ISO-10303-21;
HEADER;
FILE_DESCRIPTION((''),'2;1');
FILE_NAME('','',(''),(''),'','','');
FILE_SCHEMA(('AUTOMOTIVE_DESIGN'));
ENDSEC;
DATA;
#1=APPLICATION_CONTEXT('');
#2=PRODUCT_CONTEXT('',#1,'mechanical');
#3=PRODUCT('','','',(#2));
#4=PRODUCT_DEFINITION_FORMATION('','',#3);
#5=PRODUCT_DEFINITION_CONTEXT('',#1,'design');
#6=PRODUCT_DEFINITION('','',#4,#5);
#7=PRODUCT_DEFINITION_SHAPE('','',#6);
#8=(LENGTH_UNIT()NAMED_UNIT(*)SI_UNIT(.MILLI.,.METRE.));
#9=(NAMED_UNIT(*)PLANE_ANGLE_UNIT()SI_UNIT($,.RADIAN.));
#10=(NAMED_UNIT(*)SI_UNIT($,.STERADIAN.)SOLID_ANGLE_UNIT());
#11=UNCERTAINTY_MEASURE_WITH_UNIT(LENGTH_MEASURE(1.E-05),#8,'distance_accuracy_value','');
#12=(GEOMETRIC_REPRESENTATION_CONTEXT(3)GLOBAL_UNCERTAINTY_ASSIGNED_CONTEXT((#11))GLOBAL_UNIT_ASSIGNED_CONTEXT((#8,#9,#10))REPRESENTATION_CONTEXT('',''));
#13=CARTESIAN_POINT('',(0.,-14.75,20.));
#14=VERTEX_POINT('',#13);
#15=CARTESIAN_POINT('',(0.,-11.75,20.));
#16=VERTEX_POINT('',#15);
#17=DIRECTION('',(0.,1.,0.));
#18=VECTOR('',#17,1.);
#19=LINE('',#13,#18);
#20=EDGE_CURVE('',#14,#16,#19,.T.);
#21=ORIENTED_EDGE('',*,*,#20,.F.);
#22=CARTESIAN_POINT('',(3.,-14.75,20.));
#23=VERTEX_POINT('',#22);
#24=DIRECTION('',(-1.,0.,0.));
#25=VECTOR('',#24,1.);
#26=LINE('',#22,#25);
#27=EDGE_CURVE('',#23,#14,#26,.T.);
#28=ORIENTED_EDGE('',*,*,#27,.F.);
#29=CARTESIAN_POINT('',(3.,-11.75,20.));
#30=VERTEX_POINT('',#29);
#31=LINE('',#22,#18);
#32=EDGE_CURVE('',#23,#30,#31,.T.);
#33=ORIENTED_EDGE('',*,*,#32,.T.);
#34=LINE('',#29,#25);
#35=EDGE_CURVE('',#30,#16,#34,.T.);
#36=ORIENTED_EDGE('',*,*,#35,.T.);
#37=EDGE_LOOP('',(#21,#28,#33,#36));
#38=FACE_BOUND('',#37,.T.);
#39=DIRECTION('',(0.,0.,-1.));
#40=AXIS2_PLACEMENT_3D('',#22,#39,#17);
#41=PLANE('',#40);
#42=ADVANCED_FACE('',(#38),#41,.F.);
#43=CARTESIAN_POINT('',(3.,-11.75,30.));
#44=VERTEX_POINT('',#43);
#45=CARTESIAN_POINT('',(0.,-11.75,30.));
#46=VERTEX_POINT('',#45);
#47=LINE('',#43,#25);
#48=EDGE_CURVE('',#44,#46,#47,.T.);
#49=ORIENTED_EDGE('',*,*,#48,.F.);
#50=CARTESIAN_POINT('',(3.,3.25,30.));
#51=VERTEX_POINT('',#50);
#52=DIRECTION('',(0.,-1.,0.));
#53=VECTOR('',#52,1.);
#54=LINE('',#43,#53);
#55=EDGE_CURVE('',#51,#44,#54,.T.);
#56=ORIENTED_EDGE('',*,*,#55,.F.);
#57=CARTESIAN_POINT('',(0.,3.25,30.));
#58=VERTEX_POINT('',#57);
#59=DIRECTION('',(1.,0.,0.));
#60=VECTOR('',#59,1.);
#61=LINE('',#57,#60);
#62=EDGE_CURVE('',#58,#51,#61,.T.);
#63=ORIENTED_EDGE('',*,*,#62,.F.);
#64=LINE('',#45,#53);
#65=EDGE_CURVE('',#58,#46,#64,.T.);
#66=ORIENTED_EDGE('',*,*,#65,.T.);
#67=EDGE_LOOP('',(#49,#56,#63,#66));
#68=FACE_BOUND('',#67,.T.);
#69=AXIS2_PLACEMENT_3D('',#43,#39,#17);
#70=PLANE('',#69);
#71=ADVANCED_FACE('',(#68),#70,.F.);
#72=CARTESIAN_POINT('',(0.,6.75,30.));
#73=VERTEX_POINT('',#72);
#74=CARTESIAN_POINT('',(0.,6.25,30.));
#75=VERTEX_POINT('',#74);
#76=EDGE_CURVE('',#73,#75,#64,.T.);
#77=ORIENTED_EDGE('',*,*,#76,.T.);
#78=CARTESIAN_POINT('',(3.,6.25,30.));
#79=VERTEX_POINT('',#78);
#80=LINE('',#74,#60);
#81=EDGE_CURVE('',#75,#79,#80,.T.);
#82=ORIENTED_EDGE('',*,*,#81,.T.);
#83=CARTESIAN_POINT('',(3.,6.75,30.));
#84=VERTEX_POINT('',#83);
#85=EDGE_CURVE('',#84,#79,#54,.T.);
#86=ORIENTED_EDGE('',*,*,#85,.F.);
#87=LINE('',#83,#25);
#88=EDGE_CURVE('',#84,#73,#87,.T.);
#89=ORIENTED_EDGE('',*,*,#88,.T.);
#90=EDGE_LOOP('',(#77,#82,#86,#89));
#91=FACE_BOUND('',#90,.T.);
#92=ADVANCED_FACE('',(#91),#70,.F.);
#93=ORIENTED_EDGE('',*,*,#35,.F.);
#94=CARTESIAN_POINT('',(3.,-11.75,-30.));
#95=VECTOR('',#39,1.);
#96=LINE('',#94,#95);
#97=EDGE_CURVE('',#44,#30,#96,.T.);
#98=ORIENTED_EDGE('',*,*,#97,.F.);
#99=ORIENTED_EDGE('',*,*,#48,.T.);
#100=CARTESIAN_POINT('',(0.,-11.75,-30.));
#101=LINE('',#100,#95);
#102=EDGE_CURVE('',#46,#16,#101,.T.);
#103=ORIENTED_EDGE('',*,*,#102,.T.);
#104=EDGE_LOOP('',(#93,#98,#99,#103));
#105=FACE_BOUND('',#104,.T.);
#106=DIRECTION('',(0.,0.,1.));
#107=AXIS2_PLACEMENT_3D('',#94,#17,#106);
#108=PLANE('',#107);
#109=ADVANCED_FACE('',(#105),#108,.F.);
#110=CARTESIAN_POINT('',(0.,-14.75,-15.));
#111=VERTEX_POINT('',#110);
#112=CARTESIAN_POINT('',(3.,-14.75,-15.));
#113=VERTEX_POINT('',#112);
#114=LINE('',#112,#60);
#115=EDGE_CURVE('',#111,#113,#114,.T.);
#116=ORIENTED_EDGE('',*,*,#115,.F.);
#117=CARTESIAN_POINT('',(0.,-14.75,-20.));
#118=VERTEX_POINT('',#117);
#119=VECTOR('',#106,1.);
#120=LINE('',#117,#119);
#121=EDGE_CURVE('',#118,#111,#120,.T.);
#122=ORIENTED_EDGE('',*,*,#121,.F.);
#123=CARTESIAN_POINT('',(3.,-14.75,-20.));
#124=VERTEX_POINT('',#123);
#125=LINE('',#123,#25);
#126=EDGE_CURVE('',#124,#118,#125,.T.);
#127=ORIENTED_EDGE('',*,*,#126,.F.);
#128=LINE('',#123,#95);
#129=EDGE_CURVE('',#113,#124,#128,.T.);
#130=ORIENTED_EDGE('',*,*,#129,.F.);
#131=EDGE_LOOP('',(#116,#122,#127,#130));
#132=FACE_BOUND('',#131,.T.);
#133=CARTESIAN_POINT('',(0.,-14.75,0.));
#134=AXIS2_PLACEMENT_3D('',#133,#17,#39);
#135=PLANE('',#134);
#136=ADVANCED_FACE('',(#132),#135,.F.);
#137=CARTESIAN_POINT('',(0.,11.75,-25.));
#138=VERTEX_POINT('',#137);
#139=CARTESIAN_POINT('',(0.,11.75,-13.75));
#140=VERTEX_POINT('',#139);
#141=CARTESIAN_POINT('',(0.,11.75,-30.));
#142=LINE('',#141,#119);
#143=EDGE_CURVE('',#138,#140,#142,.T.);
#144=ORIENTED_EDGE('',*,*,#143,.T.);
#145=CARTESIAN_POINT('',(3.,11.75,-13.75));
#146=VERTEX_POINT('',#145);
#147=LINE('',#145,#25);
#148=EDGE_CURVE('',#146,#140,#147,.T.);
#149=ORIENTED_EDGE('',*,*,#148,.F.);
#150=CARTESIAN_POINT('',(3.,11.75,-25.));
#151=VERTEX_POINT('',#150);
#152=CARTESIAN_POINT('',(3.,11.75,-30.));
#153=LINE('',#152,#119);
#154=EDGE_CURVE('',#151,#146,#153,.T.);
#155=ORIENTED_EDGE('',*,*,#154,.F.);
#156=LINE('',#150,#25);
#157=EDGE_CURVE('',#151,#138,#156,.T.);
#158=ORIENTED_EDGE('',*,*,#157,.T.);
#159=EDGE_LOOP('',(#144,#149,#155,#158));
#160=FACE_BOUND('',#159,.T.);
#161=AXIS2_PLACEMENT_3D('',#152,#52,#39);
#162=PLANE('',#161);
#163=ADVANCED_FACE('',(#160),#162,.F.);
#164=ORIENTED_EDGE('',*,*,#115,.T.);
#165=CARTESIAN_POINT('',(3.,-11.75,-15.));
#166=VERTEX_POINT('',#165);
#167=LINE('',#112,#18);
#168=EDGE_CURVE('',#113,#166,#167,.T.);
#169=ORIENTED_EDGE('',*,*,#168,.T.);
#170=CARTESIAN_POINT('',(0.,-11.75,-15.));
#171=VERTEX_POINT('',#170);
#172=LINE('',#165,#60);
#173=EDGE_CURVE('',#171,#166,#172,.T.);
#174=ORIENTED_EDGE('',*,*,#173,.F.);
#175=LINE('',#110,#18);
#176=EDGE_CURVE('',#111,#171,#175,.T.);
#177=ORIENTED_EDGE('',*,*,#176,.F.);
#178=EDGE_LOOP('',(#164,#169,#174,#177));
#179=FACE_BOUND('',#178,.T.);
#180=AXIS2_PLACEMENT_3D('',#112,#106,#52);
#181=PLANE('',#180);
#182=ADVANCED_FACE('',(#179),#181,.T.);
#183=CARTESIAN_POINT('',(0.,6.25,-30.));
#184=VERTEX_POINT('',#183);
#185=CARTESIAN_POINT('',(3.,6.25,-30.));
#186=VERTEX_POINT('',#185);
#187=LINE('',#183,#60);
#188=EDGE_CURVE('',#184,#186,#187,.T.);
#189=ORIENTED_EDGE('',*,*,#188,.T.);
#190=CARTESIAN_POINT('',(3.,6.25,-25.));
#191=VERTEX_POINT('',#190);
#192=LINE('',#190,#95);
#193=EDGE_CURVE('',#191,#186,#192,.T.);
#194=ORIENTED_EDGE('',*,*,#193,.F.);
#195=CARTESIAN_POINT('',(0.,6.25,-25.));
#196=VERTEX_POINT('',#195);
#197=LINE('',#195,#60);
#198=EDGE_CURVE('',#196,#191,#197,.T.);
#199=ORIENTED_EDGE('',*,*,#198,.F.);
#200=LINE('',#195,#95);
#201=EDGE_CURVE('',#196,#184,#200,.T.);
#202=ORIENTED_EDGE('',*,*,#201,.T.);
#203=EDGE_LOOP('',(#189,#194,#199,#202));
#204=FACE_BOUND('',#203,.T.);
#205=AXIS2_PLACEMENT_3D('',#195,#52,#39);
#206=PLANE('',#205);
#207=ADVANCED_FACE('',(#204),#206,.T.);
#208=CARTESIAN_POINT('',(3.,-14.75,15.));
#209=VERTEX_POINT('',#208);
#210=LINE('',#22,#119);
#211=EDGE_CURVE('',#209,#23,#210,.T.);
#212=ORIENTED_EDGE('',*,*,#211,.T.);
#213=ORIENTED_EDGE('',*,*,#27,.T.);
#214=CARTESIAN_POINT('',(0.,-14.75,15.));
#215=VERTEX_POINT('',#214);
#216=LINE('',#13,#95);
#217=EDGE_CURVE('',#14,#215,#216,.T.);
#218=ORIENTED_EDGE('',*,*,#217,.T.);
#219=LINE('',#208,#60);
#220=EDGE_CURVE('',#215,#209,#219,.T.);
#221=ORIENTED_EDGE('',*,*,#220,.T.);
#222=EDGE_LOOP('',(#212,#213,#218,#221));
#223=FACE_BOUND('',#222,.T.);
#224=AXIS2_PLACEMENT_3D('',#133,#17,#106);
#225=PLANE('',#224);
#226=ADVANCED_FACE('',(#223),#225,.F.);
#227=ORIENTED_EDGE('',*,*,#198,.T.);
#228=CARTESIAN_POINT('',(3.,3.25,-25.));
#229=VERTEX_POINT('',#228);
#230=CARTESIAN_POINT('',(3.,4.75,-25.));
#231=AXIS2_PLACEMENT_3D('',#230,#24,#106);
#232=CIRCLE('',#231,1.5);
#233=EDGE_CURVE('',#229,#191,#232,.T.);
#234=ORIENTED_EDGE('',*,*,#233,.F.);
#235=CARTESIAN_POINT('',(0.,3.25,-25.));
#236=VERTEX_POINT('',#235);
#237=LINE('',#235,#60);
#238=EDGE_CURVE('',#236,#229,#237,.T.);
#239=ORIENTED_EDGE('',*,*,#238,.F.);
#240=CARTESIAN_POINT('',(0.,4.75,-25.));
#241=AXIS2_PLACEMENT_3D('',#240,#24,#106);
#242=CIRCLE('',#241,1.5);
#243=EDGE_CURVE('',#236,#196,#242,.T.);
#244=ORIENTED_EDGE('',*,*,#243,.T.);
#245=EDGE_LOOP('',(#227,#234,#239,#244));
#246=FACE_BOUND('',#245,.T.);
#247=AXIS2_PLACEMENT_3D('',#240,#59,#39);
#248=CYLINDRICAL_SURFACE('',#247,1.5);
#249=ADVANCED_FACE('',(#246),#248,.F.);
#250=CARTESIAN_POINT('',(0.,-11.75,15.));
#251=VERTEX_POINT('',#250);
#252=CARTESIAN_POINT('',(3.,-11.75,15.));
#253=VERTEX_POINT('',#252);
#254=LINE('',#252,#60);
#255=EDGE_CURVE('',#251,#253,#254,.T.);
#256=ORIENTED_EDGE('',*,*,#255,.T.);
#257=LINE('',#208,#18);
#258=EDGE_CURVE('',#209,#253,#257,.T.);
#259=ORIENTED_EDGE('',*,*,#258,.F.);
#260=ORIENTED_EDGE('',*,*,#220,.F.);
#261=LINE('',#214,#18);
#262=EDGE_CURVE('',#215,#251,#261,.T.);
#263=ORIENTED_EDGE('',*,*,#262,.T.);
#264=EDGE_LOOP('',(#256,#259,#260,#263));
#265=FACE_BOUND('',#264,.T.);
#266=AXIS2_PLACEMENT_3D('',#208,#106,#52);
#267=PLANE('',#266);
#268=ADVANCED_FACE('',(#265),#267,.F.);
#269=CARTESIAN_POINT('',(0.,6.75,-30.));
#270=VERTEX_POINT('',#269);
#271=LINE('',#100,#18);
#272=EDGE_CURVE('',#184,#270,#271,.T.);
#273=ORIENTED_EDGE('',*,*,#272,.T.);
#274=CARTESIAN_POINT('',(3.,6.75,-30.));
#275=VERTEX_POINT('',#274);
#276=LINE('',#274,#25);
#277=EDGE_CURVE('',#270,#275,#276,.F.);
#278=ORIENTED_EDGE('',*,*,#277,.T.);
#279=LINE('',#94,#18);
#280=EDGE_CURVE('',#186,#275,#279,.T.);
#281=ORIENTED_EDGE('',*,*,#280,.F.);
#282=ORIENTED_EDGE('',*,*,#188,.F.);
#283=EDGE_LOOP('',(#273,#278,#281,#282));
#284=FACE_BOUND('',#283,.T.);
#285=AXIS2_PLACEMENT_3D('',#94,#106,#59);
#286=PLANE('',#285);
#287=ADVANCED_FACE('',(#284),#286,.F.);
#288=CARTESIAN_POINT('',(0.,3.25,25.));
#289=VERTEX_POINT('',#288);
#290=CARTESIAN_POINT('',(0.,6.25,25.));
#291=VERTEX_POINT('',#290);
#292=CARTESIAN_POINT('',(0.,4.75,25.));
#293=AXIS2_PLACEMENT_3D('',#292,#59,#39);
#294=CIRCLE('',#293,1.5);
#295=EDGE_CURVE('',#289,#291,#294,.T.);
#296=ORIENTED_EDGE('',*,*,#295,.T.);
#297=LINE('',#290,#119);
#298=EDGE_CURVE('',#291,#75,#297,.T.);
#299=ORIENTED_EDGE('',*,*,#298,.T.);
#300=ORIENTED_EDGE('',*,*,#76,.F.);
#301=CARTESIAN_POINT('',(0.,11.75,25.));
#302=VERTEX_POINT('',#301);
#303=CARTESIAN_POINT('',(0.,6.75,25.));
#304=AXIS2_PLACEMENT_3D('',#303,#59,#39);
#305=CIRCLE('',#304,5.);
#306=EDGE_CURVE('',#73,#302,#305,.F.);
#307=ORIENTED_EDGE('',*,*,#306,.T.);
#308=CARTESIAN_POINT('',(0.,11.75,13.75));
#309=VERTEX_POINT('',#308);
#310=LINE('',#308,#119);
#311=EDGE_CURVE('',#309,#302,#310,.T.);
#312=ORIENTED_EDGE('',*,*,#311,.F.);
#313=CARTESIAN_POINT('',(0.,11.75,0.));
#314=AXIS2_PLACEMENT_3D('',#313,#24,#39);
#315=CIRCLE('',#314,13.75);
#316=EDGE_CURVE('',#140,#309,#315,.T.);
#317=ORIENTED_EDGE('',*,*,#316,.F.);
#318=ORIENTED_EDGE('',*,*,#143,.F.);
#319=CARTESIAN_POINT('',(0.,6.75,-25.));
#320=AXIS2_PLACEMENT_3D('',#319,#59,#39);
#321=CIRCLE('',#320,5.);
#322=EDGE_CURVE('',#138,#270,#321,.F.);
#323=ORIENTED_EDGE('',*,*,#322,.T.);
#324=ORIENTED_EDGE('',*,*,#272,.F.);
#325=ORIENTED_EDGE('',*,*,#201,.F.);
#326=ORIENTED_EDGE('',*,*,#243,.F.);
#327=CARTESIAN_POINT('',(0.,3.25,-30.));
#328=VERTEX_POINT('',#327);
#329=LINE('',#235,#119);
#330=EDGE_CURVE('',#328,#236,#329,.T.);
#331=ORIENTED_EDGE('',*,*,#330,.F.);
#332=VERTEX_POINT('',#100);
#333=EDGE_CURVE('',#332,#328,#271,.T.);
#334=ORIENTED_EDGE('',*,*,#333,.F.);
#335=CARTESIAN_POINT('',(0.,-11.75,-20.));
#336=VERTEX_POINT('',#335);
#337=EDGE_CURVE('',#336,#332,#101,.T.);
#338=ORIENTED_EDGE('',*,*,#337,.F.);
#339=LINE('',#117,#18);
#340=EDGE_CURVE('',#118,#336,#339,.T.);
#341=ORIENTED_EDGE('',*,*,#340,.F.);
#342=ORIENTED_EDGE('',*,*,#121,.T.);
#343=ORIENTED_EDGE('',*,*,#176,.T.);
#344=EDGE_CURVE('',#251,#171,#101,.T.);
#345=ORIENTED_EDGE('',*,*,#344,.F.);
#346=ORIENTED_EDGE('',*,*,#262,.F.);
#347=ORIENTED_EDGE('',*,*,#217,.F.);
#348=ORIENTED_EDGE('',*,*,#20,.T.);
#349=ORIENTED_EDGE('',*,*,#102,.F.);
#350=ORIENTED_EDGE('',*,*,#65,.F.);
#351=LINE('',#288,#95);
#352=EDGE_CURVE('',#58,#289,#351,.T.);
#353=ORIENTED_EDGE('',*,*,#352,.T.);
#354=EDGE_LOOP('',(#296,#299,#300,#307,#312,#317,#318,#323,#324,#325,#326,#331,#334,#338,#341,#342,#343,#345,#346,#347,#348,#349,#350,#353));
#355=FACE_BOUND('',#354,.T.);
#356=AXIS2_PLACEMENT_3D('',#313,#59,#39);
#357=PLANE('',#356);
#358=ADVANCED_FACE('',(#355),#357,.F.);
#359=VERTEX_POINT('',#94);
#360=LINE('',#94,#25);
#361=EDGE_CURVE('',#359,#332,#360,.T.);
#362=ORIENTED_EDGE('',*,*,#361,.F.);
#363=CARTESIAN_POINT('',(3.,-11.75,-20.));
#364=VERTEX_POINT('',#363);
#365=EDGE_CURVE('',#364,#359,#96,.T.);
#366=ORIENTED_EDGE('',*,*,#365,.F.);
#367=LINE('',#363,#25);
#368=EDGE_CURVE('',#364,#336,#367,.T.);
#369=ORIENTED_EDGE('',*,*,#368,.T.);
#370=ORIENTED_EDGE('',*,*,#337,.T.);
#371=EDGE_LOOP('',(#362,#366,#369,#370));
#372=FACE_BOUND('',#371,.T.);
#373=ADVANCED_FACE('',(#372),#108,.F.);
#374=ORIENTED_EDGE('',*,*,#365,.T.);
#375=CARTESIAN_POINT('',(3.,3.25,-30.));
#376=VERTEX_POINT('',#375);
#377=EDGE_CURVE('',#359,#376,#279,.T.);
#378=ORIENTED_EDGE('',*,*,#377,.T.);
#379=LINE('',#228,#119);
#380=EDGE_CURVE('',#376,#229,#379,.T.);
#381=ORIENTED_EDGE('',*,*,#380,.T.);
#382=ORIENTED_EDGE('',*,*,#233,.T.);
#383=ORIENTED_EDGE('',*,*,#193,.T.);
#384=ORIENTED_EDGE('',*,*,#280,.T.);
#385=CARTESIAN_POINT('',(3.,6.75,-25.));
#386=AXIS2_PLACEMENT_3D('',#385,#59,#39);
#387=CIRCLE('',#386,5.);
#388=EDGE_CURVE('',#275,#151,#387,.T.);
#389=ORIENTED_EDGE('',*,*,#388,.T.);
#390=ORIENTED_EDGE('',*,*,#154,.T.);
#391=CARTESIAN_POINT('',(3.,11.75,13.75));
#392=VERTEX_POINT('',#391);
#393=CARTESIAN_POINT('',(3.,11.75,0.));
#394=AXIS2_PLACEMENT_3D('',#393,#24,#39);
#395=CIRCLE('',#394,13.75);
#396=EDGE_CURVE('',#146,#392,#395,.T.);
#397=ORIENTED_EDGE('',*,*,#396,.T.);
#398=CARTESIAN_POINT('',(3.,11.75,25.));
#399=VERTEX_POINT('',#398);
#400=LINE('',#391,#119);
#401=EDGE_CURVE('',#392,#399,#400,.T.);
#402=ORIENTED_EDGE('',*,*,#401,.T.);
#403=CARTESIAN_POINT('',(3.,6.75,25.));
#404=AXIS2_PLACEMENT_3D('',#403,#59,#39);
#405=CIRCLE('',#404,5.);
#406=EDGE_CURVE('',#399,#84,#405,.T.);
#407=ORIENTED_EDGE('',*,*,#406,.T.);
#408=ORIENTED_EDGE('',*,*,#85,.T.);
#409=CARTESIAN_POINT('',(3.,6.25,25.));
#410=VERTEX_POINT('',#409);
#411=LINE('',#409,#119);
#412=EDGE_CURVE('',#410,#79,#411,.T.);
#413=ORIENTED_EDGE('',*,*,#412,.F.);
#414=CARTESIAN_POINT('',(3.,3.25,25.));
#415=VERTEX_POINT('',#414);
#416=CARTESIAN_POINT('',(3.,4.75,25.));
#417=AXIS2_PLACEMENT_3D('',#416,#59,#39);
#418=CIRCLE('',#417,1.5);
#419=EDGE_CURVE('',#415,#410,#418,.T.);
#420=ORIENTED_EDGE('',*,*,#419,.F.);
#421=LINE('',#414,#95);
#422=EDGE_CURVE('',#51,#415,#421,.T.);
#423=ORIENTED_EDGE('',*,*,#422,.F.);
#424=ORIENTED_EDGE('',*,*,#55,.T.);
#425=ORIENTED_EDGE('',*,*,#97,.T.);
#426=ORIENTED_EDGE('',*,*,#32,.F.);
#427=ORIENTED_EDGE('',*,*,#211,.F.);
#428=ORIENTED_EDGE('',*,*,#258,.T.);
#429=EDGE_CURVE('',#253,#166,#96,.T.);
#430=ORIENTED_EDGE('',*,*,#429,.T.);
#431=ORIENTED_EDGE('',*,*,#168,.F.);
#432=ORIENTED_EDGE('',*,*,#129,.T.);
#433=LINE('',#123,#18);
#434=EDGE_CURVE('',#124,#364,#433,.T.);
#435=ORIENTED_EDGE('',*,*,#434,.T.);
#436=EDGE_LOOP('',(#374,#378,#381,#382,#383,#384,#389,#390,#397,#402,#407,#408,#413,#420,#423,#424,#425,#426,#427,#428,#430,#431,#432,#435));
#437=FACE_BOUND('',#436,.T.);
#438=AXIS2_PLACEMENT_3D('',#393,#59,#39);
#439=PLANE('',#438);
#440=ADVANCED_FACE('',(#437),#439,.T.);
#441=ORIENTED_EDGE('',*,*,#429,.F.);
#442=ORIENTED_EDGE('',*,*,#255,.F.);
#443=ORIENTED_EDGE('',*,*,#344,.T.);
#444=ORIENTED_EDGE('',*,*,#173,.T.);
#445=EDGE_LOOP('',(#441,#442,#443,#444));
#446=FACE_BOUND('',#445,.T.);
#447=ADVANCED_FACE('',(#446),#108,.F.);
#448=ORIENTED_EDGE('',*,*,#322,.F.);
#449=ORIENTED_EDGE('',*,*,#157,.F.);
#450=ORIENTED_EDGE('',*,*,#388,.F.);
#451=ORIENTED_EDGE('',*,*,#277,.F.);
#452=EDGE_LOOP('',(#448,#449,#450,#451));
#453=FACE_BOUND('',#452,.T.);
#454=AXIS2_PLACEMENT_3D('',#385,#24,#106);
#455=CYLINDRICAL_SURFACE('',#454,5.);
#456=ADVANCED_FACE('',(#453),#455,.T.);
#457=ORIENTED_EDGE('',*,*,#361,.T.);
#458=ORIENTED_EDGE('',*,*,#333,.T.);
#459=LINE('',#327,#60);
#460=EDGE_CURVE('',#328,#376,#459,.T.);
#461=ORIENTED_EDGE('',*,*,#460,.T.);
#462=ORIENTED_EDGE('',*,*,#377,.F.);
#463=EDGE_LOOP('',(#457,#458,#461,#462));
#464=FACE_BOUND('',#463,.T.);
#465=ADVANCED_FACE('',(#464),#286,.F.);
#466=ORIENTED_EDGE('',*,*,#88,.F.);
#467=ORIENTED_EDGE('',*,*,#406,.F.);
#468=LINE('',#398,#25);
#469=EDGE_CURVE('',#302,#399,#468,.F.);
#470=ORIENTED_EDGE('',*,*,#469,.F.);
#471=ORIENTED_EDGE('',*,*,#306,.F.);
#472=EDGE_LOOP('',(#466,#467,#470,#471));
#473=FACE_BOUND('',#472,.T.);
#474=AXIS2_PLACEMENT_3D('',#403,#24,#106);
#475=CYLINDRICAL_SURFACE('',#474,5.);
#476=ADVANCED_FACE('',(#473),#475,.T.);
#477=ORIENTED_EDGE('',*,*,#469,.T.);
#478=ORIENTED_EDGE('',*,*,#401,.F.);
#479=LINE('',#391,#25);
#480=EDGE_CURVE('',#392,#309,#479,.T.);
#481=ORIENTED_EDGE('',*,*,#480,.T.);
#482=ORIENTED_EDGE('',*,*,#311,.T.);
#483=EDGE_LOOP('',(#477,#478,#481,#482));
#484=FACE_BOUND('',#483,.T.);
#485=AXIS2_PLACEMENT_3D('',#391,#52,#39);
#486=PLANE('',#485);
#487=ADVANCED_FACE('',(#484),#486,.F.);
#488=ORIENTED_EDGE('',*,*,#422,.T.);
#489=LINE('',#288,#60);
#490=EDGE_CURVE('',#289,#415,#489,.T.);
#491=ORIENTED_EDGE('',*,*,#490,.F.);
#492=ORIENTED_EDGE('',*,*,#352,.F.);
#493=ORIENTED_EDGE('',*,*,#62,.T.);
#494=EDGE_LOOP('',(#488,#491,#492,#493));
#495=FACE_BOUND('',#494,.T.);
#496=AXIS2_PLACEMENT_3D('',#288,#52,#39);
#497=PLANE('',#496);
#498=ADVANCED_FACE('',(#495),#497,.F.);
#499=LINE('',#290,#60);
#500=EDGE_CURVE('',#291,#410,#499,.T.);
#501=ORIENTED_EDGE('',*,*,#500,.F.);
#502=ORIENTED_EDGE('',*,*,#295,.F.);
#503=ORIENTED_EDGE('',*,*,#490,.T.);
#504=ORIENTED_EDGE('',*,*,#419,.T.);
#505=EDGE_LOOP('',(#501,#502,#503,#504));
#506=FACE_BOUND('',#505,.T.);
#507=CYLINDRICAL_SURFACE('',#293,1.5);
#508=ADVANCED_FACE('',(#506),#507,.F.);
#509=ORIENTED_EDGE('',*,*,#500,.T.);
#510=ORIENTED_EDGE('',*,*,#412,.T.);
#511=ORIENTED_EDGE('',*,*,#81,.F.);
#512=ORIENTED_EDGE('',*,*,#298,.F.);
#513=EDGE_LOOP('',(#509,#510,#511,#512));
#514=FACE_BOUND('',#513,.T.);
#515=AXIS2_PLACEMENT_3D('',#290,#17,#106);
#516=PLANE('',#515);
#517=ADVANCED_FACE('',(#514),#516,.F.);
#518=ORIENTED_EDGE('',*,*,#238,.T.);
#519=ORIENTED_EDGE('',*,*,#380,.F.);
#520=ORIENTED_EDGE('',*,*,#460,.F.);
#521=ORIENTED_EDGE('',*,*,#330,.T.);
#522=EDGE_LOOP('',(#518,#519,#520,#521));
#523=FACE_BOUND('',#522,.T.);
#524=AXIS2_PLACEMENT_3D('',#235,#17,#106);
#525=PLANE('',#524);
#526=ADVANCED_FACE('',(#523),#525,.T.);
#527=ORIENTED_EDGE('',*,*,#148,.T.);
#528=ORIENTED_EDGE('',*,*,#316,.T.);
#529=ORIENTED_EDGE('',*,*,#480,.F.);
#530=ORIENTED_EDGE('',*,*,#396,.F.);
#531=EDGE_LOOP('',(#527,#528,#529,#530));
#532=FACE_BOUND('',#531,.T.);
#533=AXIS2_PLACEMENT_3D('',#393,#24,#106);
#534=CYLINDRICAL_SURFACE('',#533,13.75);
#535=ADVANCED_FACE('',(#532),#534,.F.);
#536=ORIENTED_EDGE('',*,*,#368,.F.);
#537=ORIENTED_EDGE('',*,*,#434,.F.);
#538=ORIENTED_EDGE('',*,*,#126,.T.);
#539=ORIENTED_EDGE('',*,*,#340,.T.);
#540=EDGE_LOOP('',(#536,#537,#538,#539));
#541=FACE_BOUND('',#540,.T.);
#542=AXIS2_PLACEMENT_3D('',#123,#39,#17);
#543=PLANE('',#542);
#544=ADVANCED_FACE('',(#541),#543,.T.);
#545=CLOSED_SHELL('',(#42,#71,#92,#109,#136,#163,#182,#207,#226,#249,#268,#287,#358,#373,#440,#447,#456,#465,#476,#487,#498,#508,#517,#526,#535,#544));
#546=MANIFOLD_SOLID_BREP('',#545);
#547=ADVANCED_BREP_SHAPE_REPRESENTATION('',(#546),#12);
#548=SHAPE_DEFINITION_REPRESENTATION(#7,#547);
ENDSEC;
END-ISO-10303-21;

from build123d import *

# Parameters (mm, degrees)
BOSS_EXTRUDE1_DEPTH = 3
CUT_EXTRUDE1_DEPTH  = 4
FILLET1_R           = 5
SKETCH3_W           = 3
SKETCH3_H           = 5
BOSS_EXTRUDE2_DEPTH = 3


with BuildPart() as part:
    # Sketch1 → Boss-Extrude1 (new body)
    with BuildSketch(Plane(origin=(0, 0, 0), x_dir=(0, 0, -1), z_dir=(1, 0, 0))):
        with BuildLine():
            Line((-13.75, 11.75), (-30, 11.75))
            Line((-30, 11.75), (-30, -11.75))
            Line((-30, -11.75), (30, -11.75))
            Line((30, -11.75), (30, 11.75))
            Line((30, 11.75), (13.75, 11.75))
            ThreePointArc((13.75, 11.75), (0, -2), (-13.75, 11.75))
        make_face()
    extrude(amount=BOSS_EXTRUDE1_DEPTH)

    # Sketch2 → Cut-Extrude1 (cut, through all)
    with BuildSketch(Plane(origin=(3, 0, 0), x_dir=(0, 0, -1), z_dir=(1, 0, 0))):
        with BuildLine():
            Line((-25, 6.25), (-30, 6.25))
            Line((-30, 6.25), (-30, 3.25))
            Line((-30, 3.25), (-25, 3.25))
            ThreePointArc((-25, 3.25), (-23.5, 4.75), (-25, 6.25))
        make_face()
    cut_extrude1 = extrude(amount=-CUT_EXTRUDE1_DEPTH, mode=Mode.SUBTRACT)

    # Mirror2: Cut-Extrude1 across plane
    add(cut_extrude1.mirror(Plane.XY), mode=Mode.SUBTRACT)

    # Fillet1
    fillet1_edges = [part.edges().sort_by_distance(p)[0] for p in [
        (1.5, 11.75, 30),
        (1.5, 11.75, -30),
    ]]
    fillet(fillet1_edges, radius=FILLET1_R)

    # Sketch3 → Boss-Extrude2 (add)
    with BuildSketch(Plane.XZ.offset(11.75)):
        with Locations((1.5, 17.5)):
            Rectangle(SKETCH3_W, SKETCH3_H)
    boss_extrude2 = extrude(amount=BOSS_EXTRUDE2_DEPTH)

    # Mirror3: Boss-Extrude2 across plane
    add(boss_extrude2.mirror(Plane.XY))


solid = part.part
